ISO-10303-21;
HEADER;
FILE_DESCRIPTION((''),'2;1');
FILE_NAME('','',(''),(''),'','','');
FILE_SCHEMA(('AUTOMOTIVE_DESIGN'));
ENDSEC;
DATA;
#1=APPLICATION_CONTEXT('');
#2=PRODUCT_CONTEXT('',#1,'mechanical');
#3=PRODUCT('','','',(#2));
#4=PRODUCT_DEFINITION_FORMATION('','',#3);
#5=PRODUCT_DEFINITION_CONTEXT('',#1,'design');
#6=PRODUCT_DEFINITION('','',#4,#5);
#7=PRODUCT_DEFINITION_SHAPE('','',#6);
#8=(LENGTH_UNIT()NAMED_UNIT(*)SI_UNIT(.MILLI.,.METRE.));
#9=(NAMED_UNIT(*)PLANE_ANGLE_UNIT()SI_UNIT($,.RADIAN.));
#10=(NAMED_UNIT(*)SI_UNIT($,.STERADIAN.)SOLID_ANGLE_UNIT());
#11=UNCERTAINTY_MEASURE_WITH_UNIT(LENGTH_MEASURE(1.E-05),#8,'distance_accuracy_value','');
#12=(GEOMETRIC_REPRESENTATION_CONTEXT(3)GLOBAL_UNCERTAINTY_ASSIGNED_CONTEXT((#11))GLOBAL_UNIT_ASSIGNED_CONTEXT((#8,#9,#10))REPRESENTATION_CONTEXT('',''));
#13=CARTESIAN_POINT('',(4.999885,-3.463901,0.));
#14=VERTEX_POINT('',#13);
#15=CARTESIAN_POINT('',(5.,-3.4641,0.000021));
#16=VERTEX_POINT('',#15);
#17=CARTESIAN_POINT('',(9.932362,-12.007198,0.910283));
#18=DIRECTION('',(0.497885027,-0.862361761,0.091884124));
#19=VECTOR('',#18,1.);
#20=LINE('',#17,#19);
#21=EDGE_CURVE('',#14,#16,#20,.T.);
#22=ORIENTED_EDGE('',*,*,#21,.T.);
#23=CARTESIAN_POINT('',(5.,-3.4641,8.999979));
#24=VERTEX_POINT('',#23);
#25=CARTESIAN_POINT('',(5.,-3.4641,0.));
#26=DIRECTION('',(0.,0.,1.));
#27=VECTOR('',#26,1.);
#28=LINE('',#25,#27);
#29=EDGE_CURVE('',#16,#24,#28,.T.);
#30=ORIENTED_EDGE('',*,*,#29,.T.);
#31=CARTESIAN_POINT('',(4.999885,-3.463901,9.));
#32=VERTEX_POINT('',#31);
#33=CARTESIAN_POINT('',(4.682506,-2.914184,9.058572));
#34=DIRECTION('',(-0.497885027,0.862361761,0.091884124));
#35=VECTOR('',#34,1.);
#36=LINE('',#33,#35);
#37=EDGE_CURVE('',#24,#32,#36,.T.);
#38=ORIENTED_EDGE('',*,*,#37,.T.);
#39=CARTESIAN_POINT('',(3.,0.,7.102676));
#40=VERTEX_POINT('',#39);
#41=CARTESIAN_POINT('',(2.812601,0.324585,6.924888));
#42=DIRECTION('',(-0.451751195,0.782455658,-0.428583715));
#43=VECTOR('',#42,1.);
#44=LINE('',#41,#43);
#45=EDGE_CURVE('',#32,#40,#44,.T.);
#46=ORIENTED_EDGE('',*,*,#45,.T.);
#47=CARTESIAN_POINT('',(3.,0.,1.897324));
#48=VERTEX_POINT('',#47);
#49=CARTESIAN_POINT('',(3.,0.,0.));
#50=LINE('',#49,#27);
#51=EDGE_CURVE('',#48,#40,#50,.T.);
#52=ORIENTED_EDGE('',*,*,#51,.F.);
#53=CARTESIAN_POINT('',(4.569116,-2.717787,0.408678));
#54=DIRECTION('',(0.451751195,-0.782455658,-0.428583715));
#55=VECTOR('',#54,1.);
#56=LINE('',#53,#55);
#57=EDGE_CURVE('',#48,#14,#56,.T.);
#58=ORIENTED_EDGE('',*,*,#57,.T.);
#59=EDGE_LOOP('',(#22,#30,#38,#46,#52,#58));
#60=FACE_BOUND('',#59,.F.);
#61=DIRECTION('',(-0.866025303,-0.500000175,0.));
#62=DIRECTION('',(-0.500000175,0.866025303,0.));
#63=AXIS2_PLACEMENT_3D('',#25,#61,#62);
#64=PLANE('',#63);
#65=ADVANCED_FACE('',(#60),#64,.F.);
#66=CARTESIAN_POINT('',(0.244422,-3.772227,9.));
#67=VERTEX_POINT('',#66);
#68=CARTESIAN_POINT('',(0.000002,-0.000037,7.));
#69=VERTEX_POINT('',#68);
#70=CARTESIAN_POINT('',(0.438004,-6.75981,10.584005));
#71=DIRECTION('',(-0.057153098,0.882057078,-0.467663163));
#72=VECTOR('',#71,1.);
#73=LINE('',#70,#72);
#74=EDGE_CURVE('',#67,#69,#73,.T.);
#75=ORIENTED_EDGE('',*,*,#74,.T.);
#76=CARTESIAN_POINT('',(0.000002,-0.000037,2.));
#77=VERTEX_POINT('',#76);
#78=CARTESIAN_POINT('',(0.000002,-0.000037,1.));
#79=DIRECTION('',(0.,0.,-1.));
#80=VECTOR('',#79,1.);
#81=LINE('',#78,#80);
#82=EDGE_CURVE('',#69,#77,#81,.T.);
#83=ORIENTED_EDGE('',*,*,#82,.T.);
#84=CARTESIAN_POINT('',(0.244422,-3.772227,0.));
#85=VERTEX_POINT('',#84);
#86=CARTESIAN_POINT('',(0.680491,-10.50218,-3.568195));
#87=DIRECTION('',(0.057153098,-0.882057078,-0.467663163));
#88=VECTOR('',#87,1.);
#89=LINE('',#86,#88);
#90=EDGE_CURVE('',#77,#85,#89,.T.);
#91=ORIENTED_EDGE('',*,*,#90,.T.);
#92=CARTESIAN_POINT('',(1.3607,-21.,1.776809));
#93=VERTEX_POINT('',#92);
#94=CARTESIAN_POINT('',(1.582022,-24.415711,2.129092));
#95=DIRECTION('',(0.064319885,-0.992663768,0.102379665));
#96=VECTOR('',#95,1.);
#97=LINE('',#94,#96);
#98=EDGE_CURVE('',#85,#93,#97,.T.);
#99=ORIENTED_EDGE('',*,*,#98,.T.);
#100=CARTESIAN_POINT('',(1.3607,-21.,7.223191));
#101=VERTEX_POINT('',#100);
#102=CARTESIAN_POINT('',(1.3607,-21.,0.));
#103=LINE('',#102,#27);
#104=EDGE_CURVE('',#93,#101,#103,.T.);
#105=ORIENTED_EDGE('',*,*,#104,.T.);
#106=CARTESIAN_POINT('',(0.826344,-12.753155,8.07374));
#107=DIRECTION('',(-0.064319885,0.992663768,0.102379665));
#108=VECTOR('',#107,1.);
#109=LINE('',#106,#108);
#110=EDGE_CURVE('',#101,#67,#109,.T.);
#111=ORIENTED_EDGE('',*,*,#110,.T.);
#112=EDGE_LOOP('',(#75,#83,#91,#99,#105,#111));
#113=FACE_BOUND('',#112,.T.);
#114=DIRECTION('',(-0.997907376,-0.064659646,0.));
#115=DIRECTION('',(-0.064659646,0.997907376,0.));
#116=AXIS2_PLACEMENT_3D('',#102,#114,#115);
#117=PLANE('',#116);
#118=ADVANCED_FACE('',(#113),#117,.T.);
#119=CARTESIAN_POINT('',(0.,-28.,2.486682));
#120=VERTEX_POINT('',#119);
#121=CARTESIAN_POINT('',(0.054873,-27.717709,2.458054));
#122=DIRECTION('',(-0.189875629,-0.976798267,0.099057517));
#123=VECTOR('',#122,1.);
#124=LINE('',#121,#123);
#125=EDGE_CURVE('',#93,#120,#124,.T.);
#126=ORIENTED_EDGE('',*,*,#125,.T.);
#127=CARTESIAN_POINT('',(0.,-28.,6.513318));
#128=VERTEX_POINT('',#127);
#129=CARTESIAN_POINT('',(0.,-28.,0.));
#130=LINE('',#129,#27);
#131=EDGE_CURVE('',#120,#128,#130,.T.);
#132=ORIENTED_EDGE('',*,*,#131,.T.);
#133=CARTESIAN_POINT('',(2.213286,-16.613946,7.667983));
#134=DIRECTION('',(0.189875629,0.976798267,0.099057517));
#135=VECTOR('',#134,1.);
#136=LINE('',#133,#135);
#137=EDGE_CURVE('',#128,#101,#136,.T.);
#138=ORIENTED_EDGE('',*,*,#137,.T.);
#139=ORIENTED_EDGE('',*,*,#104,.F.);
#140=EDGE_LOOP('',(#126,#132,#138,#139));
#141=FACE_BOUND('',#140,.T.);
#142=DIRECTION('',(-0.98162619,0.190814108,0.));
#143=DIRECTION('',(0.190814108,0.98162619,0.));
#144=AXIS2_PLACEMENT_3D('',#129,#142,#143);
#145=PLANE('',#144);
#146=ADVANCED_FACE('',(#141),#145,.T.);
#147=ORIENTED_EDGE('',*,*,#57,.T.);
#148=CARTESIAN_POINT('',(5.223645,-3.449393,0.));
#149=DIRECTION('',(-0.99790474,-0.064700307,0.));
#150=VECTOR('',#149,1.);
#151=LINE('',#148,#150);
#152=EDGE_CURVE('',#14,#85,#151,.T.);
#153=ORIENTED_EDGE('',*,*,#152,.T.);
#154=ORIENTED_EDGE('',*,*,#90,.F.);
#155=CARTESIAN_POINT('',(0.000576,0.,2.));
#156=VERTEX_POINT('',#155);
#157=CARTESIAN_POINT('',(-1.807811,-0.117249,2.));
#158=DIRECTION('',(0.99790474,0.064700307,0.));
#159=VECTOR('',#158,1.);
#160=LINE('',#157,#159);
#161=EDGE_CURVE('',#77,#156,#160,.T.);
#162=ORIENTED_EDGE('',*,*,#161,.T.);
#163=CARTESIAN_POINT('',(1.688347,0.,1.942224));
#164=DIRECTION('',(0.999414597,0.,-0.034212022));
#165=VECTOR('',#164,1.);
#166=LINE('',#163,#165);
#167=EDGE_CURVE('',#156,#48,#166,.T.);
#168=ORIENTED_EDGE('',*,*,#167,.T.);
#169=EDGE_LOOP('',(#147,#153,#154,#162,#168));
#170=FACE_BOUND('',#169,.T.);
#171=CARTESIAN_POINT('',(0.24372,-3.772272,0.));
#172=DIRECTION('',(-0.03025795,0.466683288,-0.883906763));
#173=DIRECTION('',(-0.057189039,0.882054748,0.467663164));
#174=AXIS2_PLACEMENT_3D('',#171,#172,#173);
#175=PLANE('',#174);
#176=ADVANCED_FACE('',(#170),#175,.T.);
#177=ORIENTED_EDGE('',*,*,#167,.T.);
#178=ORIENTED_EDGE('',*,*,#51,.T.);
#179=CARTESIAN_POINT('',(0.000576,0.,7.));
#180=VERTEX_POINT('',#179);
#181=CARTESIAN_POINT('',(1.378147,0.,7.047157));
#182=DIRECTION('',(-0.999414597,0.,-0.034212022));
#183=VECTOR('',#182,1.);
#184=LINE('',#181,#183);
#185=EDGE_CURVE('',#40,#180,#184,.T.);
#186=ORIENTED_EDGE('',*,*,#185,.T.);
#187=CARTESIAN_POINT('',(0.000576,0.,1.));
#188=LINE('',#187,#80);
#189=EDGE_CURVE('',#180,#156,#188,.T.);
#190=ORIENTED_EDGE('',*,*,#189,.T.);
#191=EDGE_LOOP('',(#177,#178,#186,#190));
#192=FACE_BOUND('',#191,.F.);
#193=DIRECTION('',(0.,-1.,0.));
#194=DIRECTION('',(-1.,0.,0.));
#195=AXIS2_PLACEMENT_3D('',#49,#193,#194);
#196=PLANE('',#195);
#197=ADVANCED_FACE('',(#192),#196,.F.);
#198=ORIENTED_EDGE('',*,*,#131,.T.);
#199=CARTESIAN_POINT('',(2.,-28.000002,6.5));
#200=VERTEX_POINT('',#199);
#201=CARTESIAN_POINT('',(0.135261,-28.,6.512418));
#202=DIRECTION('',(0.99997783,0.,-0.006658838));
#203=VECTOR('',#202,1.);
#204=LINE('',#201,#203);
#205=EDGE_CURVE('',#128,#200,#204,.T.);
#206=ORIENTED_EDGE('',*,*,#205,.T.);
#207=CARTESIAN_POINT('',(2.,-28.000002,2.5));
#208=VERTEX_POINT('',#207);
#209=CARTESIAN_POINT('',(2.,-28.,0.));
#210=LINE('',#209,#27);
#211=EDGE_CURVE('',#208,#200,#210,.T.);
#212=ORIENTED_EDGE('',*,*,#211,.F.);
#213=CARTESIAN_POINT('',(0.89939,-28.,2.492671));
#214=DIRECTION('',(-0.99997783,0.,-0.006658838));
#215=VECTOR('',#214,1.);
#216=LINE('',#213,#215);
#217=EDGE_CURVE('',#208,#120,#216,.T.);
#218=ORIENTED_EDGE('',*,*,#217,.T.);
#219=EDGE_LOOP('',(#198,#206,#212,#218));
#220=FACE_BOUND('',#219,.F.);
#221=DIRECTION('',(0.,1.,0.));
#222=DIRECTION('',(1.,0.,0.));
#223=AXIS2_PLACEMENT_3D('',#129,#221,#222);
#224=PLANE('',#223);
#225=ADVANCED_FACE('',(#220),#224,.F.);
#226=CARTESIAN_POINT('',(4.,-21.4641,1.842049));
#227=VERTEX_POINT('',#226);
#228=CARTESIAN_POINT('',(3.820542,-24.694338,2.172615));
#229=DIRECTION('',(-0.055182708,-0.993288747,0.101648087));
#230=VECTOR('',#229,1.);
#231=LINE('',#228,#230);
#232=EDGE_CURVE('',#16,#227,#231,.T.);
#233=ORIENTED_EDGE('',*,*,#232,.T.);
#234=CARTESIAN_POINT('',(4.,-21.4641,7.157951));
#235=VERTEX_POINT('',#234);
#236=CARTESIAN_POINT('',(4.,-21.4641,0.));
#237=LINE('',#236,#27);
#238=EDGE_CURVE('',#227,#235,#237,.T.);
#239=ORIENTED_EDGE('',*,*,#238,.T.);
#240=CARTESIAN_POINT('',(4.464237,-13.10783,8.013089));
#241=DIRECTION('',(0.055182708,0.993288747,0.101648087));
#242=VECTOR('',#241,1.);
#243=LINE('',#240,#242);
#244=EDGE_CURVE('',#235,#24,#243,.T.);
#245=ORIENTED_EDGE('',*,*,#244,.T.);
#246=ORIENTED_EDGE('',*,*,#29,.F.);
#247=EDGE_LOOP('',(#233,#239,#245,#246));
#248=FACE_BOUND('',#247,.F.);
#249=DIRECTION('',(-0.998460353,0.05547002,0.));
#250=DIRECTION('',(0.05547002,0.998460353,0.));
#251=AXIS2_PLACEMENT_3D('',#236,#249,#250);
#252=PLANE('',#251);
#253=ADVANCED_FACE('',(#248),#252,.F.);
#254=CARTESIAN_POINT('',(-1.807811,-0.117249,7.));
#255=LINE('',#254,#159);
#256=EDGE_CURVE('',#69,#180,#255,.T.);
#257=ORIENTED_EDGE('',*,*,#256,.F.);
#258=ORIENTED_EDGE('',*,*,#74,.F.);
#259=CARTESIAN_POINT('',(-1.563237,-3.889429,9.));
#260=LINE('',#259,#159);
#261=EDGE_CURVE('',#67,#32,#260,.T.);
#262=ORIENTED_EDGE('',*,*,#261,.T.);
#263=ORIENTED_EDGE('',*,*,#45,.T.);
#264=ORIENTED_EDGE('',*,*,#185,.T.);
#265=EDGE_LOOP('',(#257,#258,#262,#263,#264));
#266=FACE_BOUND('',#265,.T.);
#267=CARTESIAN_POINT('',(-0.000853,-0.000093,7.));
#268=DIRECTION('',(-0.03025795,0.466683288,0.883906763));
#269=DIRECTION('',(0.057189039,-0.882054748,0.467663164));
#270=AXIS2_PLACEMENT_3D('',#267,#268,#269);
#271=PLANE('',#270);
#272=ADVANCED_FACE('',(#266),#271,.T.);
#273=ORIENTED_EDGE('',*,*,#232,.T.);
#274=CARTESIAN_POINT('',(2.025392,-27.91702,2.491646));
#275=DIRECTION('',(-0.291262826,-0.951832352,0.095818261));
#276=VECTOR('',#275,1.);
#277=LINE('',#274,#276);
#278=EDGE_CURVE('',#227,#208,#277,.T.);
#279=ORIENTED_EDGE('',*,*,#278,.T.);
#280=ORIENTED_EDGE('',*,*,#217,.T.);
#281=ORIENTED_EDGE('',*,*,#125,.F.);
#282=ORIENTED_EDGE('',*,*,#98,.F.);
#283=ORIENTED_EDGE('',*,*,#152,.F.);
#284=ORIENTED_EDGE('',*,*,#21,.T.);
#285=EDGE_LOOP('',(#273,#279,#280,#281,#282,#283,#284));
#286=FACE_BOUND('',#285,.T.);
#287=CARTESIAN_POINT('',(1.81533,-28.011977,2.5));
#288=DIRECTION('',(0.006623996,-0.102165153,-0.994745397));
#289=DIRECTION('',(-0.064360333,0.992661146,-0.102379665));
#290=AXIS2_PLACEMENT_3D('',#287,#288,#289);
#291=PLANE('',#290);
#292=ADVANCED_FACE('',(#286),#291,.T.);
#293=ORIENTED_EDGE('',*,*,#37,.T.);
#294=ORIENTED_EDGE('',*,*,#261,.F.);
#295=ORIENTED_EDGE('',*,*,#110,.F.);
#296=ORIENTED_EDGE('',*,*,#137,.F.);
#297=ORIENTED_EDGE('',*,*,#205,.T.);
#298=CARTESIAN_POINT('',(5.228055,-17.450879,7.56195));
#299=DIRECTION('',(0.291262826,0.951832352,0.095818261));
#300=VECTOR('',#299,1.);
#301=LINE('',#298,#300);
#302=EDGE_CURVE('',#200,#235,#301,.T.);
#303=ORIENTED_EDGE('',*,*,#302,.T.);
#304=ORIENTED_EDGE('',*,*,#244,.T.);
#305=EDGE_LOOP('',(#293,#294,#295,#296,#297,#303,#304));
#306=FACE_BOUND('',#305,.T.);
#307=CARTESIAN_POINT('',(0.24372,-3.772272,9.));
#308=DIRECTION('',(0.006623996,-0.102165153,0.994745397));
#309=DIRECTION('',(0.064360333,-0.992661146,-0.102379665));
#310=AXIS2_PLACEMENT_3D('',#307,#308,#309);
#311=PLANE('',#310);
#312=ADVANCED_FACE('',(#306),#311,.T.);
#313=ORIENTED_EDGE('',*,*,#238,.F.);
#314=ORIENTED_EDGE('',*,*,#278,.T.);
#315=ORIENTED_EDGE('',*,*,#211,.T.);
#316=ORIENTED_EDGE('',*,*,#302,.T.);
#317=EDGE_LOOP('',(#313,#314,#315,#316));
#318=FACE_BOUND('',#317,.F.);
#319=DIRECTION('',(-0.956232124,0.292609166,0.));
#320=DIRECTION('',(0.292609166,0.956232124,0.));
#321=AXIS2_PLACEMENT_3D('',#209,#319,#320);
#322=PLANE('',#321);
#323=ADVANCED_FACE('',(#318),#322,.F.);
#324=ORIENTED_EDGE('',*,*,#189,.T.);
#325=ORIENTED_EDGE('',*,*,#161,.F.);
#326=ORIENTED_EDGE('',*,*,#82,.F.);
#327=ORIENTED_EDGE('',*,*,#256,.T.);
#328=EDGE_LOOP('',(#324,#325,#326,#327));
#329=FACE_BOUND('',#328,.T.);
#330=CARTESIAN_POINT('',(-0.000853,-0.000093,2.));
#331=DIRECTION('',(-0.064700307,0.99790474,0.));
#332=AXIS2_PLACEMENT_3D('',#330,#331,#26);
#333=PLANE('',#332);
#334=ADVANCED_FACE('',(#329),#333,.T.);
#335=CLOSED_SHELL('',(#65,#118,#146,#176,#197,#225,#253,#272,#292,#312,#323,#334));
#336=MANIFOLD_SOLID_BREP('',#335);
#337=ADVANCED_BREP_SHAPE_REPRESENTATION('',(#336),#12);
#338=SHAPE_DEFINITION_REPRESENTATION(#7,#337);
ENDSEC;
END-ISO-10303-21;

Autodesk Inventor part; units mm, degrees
ref_plane "YZ Plane" through (0, 0, 0) normal (1, 0, 0) x (0, 1, 0)
ref_plane "XZ Plane" through (0, 0, 0) normal (0, 1, 0) x (-1, 0, 0)
ref_plane "XY Plane" through (0, 0, 0) normal (0, 0, 1) x (1, 0, 0)
sketch "Base" plane through (0, 0, 0) normal (0, 0, 1) x (1, 0, 0)
  line L0 (0, 0) -> (0, -28) construction
  line L1 (0, -28) -> (2, -28)
  line L2 (2, -28) -> (4, -21.4641)
  line L3 (5, -3.4641) -> (3, 0)
  line L4 (3, 0) -> (0, 0)
  line L5 (4, -21.4641) -> (5, -3.4641)
  line L6 (0, -28) -> (1.3607, -21)
  line L7 (1.3607, -21) -> (0, 0)
  dimension "d0" = 28
  dimension "d1" = 3
  dimension "d2" = 2
  dimension "d3" = 5
  dimension "d8" = 4
  dimension "d12" = 120
  dimension "d14" = 18
  dimension "d23" = 21
  dimension "d24" = 79
extrude "BaseFeature" add sketch "Base" along normal blind 9
sketch "TopProfile" plane through (1.3607, -21, 0) normal (-0.9979, -0.0647, 0) x (0, 0, 1)
  line L0 (0, 17.2639) -> (9, 17.2639) projected
  line L1 (2, 21.044) -> (7, 21.044)
  line L2 (7, 21.044) -> (9, 17.2639)
  line L3 (9, 17.2639) -> (6.5, -7.0267)
  line L4 (6.5, -7.0267) -> (2.5, -7.0267)
  line L5 (2.5, -7.0267) -> (0, 17.2639)
  line L6 (0, 17.2639) -> (2, 21.044)
  line L7 (0, 21.044) -> (9, 21.044) projected
  line L8 (0, -7.0267) -> (9, -7.0267) projected
  point P0 (4.5, 21.044)
  point P1 (4.5, -7.0267)
  dimension "d27" = 5
  dimension "d28" = 4
extrude "TopProfileFeature" cut sketch "TopProfile" along normal through all both and the other way through all keep common part
properties part number "DistalPhalangeIndexMiddle"
